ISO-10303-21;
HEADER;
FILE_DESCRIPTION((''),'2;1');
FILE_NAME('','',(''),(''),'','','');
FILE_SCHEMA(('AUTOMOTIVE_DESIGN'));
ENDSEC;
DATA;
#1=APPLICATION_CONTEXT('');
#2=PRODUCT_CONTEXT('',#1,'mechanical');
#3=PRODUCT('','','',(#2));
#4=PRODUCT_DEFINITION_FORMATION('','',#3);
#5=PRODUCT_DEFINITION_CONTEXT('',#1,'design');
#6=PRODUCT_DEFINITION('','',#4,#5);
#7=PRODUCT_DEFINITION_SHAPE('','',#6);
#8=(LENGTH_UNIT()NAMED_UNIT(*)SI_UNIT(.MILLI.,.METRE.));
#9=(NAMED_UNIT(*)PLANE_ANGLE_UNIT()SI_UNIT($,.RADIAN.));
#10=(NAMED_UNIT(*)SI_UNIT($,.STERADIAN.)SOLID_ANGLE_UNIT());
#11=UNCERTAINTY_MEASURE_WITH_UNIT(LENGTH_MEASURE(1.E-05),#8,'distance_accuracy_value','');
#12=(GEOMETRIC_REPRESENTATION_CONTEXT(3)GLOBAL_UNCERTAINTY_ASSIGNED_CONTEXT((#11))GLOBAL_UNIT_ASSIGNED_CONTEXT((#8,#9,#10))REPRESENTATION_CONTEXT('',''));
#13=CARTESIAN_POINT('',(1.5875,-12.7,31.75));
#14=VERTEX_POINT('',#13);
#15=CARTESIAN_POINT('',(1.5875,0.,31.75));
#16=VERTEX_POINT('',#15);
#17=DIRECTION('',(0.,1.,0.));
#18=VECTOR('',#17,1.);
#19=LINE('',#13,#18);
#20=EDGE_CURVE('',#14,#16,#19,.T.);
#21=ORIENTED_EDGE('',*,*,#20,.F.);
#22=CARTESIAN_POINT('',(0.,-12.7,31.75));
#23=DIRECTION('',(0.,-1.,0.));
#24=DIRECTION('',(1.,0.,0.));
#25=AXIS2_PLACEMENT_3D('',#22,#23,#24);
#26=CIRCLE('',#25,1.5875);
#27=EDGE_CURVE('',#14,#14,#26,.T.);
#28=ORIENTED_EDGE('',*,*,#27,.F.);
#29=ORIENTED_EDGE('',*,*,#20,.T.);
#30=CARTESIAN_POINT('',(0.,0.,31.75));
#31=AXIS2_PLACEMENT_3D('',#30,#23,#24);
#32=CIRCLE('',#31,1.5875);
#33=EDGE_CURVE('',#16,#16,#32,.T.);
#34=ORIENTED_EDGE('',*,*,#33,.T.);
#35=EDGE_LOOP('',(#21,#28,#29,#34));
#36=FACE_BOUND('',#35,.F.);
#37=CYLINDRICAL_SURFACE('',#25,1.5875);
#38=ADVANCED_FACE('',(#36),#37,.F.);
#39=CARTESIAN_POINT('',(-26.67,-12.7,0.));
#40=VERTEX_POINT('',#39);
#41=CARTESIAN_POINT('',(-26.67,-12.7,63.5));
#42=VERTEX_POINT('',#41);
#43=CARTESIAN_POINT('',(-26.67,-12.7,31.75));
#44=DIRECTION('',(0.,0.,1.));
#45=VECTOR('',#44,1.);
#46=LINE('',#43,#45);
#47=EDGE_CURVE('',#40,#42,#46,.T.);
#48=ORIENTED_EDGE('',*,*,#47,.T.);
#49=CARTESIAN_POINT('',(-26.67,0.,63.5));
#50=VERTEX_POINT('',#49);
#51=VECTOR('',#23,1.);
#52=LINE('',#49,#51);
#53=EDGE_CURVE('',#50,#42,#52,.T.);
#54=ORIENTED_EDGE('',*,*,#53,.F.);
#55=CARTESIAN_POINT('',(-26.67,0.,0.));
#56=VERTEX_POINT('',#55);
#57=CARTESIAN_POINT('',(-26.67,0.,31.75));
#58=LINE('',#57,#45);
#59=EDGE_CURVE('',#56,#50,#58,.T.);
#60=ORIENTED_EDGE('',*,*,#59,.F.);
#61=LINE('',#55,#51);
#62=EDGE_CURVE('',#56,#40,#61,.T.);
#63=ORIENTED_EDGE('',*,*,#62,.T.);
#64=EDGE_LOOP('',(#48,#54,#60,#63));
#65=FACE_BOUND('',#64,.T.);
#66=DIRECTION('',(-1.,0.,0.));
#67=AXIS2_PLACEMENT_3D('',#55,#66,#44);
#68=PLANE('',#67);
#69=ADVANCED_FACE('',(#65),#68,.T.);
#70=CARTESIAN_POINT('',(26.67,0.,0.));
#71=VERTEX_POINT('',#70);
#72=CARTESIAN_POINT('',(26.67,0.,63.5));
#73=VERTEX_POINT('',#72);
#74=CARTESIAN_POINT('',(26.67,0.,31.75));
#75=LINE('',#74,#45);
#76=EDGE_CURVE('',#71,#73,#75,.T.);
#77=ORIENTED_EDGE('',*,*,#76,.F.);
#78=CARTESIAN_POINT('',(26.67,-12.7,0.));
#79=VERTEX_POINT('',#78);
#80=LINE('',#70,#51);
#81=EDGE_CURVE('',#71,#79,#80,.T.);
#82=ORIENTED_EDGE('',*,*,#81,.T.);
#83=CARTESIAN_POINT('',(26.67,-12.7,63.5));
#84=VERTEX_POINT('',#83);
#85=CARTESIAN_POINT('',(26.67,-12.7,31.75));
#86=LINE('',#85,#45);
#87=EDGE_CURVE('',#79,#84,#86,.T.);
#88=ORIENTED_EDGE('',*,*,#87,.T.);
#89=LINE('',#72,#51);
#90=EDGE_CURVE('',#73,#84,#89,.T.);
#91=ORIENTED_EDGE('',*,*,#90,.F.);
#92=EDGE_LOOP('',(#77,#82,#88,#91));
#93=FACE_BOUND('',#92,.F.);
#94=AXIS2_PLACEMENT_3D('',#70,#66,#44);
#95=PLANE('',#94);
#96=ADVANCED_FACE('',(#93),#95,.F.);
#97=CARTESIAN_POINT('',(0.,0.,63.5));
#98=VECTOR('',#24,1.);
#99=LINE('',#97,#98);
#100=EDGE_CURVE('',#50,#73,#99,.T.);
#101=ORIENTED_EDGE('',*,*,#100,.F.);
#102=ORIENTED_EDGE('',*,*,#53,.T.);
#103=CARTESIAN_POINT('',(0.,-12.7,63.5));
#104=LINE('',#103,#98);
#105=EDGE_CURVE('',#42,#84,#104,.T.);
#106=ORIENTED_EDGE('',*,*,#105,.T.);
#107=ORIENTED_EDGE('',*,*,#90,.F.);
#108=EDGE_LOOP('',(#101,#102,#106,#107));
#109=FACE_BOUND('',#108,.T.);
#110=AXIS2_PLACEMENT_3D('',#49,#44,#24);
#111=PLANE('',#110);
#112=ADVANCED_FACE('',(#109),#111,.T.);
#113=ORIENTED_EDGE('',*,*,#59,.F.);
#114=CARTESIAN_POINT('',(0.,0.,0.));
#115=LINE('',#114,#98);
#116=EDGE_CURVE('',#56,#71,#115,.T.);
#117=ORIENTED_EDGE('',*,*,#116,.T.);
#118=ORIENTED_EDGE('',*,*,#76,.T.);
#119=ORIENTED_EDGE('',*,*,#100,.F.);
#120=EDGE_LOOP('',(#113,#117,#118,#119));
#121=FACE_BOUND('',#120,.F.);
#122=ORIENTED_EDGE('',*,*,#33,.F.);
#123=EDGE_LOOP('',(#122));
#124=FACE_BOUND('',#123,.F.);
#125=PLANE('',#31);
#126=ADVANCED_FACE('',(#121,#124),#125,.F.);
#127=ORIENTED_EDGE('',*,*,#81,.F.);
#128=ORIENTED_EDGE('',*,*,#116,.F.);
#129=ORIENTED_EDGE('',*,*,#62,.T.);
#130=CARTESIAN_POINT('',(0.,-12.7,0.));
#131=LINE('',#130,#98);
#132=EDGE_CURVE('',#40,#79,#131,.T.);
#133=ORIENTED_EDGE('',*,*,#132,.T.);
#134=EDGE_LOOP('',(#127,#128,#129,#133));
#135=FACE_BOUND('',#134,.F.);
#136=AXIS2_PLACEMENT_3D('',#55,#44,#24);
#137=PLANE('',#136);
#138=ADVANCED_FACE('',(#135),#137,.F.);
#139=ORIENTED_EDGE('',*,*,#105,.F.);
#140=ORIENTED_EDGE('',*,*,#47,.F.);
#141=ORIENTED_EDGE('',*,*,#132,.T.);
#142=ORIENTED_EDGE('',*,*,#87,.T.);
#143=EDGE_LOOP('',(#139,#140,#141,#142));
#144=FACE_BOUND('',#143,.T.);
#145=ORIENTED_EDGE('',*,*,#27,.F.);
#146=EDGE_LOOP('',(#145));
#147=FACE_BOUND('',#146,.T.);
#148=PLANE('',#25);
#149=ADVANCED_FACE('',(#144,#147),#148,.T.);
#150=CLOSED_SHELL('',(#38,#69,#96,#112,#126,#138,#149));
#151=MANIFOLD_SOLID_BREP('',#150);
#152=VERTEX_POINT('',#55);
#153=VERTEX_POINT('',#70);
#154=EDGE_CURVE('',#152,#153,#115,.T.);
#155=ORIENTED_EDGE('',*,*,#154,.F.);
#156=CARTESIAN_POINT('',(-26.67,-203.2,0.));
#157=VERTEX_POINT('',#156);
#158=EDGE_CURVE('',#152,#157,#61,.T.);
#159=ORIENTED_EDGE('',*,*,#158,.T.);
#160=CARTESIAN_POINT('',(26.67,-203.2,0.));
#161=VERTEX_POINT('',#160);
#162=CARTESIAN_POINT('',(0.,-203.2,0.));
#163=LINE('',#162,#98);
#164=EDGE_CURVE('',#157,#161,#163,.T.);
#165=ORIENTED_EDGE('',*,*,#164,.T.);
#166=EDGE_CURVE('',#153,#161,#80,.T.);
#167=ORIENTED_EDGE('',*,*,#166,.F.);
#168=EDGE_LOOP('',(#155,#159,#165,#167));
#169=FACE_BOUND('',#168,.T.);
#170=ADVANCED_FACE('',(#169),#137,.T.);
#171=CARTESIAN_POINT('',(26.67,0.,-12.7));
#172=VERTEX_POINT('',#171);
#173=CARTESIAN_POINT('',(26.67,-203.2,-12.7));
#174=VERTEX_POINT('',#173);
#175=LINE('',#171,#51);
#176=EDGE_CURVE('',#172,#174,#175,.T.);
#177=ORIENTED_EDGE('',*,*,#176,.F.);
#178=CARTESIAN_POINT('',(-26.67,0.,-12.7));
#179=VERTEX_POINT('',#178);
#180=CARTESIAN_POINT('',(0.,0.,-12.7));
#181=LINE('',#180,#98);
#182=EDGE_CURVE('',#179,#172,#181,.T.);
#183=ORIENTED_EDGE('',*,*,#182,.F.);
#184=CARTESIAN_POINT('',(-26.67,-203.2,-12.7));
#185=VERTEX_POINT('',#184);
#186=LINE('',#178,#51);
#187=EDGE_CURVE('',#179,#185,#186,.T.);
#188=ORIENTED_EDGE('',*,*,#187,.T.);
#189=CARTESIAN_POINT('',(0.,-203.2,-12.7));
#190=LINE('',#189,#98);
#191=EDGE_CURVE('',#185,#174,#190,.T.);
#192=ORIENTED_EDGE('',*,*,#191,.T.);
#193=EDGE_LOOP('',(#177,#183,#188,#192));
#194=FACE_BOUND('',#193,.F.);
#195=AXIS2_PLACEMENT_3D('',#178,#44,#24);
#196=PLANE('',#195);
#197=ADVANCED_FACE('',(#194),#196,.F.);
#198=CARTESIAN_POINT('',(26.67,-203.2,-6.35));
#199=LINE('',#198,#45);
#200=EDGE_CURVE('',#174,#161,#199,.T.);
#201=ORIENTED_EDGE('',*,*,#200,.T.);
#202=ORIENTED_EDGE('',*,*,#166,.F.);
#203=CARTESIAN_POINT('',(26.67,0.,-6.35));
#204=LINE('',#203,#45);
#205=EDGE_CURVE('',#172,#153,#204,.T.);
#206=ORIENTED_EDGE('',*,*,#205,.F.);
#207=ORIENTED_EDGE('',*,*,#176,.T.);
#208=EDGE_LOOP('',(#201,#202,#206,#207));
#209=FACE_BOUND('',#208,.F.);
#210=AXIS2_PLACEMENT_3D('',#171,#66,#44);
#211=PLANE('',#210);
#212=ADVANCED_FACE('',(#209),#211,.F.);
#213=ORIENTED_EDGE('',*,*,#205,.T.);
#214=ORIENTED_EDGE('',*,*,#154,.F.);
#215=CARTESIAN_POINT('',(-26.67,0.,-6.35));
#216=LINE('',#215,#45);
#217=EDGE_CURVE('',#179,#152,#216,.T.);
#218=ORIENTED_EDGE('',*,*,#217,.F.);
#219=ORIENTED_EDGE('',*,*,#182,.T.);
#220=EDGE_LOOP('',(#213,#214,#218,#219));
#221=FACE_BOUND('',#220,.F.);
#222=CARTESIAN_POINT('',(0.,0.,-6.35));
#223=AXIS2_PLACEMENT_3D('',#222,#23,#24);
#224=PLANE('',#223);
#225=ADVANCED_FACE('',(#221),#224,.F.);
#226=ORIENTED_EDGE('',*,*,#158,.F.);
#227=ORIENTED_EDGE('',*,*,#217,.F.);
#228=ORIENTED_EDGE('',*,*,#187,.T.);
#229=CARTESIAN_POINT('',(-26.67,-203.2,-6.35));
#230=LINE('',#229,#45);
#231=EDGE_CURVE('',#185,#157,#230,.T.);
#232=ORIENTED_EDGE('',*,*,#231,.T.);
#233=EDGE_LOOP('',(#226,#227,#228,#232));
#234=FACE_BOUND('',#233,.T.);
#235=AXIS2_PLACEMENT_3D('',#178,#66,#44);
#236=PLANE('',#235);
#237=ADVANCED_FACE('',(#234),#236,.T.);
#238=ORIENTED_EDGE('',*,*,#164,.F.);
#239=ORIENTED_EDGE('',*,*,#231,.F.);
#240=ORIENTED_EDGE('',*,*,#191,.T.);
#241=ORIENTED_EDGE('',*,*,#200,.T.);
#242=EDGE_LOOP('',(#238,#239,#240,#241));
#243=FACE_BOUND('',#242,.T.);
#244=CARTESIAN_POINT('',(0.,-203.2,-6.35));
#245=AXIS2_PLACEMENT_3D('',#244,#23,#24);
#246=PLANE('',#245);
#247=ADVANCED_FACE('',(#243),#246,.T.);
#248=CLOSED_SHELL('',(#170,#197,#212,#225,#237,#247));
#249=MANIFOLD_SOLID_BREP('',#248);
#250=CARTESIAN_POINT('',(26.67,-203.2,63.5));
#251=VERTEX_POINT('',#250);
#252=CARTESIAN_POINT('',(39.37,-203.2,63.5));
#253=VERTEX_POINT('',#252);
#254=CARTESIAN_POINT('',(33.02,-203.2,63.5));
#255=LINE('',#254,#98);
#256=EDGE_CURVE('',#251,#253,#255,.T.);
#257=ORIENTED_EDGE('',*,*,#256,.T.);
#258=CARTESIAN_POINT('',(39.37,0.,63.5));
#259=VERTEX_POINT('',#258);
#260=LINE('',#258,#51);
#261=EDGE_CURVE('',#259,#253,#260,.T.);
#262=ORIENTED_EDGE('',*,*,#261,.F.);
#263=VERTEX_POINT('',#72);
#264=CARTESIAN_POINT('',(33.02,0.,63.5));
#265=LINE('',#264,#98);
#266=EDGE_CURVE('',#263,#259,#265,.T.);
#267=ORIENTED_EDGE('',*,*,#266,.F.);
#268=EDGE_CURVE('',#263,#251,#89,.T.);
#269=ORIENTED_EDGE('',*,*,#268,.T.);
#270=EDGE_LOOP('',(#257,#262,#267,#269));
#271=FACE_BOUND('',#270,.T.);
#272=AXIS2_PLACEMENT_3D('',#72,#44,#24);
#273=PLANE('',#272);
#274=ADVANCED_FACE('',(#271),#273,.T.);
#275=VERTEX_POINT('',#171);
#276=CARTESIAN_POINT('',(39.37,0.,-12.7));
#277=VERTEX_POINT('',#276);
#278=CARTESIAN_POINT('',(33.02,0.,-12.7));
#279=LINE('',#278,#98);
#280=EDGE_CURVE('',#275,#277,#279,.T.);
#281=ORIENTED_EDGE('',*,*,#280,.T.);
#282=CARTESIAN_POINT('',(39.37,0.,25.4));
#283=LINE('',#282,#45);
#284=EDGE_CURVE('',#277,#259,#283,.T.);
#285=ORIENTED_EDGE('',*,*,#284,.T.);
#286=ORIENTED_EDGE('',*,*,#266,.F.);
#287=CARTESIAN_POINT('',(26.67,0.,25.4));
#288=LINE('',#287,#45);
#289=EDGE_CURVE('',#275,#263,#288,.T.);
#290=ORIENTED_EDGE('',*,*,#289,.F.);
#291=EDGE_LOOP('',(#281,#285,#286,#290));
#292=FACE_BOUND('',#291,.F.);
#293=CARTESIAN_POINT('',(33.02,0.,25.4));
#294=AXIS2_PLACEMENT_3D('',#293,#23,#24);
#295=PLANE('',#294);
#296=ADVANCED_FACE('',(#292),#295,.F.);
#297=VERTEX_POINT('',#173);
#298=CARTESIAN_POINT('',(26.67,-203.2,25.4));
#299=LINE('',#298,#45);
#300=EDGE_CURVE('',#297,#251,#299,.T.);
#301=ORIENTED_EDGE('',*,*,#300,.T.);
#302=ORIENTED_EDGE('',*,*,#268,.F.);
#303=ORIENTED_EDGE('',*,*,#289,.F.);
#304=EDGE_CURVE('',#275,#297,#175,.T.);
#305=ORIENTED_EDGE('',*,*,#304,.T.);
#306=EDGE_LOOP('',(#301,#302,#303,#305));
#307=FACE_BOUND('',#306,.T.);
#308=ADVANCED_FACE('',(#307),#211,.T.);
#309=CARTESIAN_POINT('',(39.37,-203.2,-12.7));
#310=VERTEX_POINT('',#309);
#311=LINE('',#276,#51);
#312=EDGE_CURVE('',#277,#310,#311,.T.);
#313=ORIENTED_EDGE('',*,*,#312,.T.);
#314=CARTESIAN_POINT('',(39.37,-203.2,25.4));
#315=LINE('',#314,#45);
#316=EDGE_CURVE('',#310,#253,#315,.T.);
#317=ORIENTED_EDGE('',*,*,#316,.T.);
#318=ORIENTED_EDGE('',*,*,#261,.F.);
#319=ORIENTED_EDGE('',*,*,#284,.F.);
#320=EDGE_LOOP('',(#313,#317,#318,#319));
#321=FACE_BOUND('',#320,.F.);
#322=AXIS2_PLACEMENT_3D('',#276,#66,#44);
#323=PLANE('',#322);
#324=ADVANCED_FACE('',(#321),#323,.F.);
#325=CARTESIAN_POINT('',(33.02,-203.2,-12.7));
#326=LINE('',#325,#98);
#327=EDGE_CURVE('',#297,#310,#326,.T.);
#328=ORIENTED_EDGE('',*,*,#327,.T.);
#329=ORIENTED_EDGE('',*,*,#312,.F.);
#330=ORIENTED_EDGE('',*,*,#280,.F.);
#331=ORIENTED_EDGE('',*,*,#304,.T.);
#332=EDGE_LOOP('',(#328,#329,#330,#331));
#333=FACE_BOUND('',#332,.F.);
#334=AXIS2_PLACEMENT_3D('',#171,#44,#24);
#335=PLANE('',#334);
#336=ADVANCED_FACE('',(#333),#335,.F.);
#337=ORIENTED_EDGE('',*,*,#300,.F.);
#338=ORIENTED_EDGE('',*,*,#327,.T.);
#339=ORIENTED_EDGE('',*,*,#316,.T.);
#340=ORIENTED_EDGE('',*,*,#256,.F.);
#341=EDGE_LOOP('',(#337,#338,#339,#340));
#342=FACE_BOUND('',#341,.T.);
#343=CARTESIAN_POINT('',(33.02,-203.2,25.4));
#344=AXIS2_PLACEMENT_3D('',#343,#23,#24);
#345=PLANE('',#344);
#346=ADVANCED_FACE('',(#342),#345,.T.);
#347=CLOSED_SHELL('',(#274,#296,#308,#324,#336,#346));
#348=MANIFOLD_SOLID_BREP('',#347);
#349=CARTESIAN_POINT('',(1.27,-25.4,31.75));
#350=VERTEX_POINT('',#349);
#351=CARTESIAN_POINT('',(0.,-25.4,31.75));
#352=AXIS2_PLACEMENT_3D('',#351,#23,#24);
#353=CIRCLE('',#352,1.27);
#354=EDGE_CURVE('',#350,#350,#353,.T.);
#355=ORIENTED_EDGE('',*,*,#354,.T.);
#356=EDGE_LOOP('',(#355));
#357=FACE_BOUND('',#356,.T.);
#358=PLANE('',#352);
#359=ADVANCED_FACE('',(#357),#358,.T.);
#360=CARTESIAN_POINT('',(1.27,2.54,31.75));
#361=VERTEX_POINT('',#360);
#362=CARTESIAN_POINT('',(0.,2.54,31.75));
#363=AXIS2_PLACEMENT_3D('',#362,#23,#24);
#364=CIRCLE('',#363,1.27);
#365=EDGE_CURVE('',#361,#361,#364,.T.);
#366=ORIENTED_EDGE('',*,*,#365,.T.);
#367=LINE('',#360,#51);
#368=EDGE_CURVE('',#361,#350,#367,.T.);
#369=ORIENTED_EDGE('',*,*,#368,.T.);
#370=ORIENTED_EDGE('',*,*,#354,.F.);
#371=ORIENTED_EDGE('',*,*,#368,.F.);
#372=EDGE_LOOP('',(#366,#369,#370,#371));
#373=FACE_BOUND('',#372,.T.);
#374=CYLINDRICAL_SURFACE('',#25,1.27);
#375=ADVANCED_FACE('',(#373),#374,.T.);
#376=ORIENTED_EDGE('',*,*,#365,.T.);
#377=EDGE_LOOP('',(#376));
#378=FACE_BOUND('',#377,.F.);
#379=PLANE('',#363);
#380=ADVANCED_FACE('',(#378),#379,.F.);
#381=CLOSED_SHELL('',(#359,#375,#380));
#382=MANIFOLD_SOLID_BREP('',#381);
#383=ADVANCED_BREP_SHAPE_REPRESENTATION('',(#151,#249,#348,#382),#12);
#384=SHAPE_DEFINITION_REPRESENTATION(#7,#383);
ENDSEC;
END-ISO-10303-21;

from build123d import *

# Parameters (mm, degrees)
F0_W          = 53.34
F0_H          = 63.5
F1_DEPTH      = 12.7
F2_W          = 12.7
F2_H          = 76.2
F3_DEPTH      = 203.2
F4_W          = 53.34
F4_H          = 12.7
F5_DEPTH      = 203.2
F6_R          = 1.5875
F7_DEPTH      = 12.701
F8_R          = 1.27
F9_DEPTH      = 12.7
F9_DEPTH_BACK = 15.24


with BuildPart() as f1:
    # F0 (on Front) → F1 (new body)
    with BuildSketch(Plane.XZ):
        with Locations((0, 31.75)):
            Rectangle(F0_W, F0_H)
    extrude(amount=F1_DEPTH)

    # F6 (on face) → F7 (cut, through all)
    with BuildSketch(Plane.XZ.offset(12.7)):
        with Locations((0, 31.75)):
            Circle(F6_R)
    extrude(amount=-F7_DEPTH, mode=Mode.SUBTRACT)


with BuildPart() as f3:
    # F2 (on Front) → F3 (new body)
    with BuildSketch(Plane.XZ):
        with Locations((33.02, 25.4)):
            Rectangle(F2_W, F2_H)
    extrude(amount=F3_DEPTH)


with BuildPart() as f5:
    # F4 (on Front) → F5 (new body, through all)
    with BuildSketch(Plane.XZ):
        with Locations((0, -6.35)):
            Rectangle(F4_W, F4_H)
    extrude(amount=F5_DEPTH)


with BuildPart() as f9:
    # F8 (on face) → F9 (new body, two sides)
    with BuildSketch(Plane.XZ.offset(12.7)) as f9_sk:
        with Locations((0, 31.75)):
            Circle(F8_R)
    extrude(amount=F9_DEPTH)
    extrude(f9_sk.sketch, amount=-F9_DEPTH_BACK)


solid = Compound([f1.part, f3.part, f5.part, f9.part])
